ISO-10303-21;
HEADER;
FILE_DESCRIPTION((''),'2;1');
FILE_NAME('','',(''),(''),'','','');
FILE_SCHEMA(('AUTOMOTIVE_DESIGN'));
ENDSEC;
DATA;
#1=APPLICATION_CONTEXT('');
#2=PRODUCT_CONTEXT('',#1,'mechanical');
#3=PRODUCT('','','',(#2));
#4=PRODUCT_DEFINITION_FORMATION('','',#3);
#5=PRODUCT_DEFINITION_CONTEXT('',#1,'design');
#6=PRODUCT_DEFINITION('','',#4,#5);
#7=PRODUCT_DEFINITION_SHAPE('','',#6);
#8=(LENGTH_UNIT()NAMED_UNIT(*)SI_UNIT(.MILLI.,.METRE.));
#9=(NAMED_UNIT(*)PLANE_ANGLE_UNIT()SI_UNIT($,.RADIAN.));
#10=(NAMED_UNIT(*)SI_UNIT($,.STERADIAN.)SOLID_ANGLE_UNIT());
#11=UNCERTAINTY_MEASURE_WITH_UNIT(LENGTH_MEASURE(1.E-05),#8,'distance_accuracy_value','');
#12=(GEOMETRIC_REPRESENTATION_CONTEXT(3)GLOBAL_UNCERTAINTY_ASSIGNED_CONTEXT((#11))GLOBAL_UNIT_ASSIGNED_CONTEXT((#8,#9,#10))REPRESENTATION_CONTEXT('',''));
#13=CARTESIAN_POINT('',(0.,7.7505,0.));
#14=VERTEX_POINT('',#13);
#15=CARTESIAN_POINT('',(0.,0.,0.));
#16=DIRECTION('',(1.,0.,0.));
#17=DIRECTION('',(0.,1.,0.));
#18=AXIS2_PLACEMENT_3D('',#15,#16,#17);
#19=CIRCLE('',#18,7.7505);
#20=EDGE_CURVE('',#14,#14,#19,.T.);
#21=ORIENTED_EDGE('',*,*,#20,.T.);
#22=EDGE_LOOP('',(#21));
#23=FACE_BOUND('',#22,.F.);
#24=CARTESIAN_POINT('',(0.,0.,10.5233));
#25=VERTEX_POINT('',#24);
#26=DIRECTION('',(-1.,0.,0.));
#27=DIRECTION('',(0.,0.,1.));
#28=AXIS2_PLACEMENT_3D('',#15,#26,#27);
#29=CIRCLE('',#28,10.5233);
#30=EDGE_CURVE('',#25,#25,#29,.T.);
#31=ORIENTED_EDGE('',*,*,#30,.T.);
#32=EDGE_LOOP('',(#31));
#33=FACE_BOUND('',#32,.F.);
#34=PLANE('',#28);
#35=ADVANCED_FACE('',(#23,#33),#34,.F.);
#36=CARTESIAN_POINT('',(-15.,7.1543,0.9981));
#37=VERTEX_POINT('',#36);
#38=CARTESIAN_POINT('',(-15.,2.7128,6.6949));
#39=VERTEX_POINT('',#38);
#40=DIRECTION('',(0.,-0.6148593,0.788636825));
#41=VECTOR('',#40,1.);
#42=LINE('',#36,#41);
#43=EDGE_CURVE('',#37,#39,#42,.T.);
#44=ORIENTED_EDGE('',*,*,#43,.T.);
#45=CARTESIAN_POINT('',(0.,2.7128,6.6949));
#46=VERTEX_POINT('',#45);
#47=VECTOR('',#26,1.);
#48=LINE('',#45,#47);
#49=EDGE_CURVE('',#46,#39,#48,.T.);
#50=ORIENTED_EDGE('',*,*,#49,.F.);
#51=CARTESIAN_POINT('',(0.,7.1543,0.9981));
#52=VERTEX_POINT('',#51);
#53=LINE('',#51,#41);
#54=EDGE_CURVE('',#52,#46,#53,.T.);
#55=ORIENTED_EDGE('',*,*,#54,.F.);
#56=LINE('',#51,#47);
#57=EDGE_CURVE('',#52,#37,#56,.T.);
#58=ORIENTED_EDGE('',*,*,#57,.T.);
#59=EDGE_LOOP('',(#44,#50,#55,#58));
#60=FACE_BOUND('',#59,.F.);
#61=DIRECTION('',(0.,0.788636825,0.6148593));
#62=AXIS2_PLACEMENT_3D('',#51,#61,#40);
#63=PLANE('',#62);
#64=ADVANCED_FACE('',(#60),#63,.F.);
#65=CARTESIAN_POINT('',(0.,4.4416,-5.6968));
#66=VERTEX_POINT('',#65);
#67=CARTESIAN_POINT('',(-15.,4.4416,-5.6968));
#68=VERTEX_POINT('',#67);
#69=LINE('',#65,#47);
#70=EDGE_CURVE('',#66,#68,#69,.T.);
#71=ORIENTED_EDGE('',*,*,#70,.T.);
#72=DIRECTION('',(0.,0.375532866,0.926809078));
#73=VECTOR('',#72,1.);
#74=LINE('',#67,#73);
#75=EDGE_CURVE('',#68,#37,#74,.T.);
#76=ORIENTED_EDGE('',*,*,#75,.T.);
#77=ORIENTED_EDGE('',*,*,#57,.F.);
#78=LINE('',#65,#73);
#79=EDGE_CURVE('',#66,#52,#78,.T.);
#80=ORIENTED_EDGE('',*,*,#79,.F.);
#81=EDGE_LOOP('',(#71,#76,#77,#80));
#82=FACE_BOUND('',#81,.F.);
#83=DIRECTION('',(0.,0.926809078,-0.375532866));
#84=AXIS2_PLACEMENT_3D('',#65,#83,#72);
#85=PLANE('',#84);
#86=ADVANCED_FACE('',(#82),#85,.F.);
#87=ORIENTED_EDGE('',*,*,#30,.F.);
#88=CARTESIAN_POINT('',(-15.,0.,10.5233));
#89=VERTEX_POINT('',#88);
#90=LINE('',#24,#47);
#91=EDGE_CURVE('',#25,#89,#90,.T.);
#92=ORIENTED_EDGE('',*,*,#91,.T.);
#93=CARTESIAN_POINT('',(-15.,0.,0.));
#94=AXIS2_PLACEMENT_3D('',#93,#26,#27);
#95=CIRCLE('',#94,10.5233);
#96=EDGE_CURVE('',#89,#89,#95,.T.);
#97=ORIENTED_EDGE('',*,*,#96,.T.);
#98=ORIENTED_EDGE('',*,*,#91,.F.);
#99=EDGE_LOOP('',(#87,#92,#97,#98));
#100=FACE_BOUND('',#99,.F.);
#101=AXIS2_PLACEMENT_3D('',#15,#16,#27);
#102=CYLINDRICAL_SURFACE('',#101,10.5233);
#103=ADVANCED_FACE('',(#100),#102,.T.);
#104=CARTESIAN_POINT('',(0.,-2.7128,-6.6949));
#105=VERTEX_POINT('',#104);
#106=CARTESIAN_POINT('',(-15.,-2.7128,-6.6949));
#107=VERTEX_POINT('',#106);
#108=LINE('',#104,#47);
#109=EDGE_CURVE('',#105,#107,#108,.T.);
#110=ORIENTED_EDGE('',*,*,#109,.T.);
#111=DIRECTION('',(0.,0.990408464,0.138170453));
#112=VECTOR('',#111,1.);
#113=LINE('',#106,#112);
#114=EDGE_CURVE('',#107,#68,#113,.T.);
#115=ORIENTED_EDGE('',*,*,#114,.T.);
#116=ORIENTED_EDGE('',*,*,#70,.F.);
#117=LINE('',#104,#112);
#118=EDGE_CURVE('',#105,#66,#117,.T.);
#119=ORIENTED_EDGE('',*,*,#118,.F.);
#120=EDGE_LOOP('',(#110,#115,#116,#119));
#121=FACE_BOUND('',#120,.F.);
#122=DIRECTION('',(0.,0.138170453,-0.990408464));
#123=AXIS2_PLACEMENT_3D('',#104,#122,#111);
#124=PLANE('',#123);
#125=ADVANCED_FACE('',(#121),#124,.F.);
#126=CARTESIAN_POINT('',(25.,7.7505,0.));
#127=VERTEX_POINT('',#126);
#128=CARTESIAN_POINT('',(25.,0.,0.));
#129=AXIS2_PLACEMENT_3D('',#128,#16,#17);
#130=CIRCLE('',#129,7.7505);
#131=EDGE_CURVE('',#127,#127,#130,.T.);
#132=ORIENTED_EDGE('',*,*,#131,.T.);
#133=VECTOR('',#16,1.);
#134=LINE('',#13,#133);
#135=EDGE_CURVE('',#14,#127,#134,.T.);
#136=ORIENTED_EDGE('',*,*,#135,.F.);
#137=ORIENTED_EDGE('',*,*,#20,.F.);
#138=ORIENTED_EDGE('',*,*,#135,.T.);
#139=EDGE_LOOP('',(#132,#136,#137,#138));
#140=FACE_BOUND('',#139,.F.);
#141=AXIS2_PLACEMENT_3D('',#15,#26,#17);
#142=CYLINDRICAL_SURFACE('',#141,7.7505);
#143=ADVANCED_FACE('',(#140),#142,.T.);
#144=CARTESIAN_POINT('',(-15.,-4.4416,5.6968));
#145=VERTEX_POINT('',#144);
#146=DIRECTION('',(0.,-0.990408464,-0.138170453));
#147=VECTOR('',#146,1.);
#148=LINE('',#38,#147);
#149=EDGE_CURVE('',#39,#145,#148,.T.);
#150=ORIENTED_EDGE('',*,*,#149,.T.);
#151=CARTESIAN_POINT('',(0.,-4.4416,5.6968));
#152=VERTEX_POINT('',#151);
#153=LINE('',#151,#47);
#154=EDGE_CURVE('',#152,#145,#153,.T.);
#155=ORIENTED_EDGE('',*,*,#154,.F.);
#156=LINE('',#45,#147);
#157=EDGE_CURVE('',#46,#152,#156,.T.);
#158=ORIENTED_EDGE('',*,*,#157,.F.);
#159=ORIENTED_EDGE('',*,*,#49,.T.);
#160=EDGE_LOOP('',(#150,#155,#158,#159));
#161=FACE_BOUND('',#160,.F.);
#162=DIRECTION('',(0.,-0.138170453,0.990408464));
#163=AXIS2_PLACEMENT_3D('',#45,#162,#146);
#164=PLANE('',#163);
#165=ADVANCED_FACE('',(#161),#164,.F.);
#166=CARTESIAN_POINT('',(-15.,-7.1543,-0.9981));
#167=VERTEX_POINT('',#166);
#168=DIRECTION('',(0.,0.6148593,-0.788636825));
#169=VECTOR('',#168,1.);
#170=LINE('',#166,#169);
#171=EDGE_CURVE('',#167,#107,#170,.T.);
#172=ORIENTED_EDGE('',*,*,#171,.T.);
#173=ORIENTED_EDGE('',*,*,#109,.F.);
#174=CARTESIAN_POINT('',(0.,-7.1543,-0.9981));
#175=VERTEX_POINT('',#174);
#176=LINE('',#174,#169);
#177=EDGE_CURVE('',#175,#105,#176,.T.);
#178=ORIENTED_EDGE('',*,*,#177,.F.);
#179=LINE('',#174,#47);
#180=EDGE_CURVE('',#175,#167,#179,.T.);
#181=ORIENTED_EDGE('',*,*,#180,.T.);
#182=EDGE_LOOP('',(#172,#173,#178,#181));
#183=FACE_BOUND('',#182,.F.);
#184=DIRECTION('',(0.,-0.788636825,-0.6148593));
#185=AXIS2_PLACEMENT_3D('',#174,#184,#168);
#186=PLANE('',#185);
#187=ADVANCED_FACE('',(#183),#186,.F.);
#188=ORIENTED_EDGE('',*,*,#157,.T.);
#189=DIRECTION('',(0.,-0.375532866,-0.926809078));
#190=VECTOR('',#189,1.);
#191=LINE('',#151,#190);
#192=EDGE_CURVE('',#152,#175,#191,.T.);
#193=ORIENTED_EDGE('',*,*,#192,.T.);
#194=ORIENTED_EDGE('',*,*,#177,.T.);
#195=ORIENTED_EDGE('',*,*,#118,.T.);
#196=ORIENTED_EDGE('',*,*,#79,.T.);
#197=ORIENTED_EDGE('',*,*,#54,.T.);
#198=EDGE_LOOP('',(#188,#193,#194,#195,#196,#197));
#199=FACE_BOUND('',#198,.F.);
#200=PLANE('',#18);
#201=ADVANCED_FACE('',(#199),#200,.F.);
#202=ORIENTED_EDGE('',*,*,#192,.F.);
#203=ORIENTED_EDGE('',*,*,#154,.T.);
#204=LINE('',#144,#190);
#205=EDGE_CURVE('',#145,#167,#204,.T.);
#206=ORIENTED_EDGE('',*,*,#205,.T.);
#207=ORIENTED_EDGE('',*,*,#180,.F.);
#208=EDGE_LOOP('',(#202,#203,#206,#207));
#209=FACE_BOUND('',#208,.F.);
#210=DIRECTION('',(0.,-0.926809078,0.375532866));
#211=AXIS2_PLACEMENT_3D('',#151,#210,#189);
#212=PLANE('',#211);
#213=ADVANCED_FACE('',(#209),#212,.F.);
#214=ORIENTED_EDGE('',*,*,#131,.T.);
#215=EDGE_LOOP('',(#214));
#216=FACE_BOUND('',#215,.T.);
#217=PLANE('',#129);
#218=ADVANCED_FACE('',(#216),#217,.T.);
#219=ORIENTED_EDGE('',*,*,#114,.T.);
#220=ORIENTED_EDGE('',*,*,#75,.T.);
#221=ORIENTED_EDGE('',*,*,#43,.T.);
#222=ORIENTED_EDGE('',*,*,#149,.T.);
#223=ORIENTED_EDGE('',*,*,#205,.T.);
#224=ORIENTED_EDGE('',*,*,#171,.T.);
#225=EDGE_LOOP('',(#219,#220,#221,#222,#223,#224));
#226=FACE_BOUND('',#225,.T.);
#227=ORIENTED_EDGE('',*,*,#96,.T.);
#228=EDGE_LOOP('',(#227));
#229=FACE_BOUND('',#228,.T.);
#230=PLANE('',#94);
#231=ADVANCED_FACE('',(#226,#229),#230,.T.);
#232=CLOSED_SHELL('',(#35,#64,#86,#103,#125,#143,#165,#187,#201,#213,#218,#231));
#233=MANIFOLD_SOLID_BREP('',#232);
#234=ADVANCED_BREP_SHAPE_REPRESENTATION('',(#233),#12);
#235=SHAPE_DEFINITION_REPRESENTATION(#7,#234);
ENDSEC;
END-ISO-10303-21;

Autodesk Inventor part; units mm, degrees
ref_plane "YZ Plane" through (0, 0, 0) normal (1, 0, 0) x (0, 1, 0)
ref_plane "XZ Plane" through (0, 0, 0) normal (0, 1, 0) x (-1, 0, 0)
ref_plane "XY Plane" through (0, 0, 0) normal (0, 0, 1) x (1, 0, 0)
sketch "Sketch1" plane through (0, 0, 0) normal (1, 0, 0) x (0, 1, 0)
  circle A0 centre (0, 0) radius 7.7505
extrude "Extrusion1" add sketch "Sketch1" along normal blind 25
thread "Thread1" size "M10x1" class "6g" standard "ANSI Metric M Profile" full length
sketch "Sketch2" plane through (0, 0, 0) normal (-1, 0, 0) x (0, 0, 1)
  point P0 (0, 0)
sketch "Sketch3" plane through (0, 0, 0) normal (-1, 0, 0) x (0, 0, 1)
  circle A0 centre (0, 0) radius 10.5233
  line L0 (5.6968, -4.4416) -> (-0.9981, -7.1543)
  line L1 (-0.9981, -7.1543) -> (-6.6949, -2.7128)
  line L2 (-6.6949, -2.7128) -> (-5.6968, 4.4416)
  line L3 (-5.6968, 4.4416) -> (0.9981, 7.1543)
  line L4 (0.9981, 7.1543) -> (6.6949, 2.7128)
  line L5 (6.6949, 2.7128) -> (5.6968, -4.4416)
extrude "Extrusion2" add sketch "Sketch3" along normal blind 15
sketch "Sketch4" plane through (0, 0, 0) normal (-1, 0, 0) x (0, 0, 1)
  point P0 (0, 0)
sketch "Sketch5" plane through (0, 0, 0) normal (-1, 0, 0) x (0, 0, 1)
  point P0 (0, 0)
thread "Thread2" size "M10x1" class "6g" standard "ANSI Metric M Profile" full length
properties part number "nuts"
